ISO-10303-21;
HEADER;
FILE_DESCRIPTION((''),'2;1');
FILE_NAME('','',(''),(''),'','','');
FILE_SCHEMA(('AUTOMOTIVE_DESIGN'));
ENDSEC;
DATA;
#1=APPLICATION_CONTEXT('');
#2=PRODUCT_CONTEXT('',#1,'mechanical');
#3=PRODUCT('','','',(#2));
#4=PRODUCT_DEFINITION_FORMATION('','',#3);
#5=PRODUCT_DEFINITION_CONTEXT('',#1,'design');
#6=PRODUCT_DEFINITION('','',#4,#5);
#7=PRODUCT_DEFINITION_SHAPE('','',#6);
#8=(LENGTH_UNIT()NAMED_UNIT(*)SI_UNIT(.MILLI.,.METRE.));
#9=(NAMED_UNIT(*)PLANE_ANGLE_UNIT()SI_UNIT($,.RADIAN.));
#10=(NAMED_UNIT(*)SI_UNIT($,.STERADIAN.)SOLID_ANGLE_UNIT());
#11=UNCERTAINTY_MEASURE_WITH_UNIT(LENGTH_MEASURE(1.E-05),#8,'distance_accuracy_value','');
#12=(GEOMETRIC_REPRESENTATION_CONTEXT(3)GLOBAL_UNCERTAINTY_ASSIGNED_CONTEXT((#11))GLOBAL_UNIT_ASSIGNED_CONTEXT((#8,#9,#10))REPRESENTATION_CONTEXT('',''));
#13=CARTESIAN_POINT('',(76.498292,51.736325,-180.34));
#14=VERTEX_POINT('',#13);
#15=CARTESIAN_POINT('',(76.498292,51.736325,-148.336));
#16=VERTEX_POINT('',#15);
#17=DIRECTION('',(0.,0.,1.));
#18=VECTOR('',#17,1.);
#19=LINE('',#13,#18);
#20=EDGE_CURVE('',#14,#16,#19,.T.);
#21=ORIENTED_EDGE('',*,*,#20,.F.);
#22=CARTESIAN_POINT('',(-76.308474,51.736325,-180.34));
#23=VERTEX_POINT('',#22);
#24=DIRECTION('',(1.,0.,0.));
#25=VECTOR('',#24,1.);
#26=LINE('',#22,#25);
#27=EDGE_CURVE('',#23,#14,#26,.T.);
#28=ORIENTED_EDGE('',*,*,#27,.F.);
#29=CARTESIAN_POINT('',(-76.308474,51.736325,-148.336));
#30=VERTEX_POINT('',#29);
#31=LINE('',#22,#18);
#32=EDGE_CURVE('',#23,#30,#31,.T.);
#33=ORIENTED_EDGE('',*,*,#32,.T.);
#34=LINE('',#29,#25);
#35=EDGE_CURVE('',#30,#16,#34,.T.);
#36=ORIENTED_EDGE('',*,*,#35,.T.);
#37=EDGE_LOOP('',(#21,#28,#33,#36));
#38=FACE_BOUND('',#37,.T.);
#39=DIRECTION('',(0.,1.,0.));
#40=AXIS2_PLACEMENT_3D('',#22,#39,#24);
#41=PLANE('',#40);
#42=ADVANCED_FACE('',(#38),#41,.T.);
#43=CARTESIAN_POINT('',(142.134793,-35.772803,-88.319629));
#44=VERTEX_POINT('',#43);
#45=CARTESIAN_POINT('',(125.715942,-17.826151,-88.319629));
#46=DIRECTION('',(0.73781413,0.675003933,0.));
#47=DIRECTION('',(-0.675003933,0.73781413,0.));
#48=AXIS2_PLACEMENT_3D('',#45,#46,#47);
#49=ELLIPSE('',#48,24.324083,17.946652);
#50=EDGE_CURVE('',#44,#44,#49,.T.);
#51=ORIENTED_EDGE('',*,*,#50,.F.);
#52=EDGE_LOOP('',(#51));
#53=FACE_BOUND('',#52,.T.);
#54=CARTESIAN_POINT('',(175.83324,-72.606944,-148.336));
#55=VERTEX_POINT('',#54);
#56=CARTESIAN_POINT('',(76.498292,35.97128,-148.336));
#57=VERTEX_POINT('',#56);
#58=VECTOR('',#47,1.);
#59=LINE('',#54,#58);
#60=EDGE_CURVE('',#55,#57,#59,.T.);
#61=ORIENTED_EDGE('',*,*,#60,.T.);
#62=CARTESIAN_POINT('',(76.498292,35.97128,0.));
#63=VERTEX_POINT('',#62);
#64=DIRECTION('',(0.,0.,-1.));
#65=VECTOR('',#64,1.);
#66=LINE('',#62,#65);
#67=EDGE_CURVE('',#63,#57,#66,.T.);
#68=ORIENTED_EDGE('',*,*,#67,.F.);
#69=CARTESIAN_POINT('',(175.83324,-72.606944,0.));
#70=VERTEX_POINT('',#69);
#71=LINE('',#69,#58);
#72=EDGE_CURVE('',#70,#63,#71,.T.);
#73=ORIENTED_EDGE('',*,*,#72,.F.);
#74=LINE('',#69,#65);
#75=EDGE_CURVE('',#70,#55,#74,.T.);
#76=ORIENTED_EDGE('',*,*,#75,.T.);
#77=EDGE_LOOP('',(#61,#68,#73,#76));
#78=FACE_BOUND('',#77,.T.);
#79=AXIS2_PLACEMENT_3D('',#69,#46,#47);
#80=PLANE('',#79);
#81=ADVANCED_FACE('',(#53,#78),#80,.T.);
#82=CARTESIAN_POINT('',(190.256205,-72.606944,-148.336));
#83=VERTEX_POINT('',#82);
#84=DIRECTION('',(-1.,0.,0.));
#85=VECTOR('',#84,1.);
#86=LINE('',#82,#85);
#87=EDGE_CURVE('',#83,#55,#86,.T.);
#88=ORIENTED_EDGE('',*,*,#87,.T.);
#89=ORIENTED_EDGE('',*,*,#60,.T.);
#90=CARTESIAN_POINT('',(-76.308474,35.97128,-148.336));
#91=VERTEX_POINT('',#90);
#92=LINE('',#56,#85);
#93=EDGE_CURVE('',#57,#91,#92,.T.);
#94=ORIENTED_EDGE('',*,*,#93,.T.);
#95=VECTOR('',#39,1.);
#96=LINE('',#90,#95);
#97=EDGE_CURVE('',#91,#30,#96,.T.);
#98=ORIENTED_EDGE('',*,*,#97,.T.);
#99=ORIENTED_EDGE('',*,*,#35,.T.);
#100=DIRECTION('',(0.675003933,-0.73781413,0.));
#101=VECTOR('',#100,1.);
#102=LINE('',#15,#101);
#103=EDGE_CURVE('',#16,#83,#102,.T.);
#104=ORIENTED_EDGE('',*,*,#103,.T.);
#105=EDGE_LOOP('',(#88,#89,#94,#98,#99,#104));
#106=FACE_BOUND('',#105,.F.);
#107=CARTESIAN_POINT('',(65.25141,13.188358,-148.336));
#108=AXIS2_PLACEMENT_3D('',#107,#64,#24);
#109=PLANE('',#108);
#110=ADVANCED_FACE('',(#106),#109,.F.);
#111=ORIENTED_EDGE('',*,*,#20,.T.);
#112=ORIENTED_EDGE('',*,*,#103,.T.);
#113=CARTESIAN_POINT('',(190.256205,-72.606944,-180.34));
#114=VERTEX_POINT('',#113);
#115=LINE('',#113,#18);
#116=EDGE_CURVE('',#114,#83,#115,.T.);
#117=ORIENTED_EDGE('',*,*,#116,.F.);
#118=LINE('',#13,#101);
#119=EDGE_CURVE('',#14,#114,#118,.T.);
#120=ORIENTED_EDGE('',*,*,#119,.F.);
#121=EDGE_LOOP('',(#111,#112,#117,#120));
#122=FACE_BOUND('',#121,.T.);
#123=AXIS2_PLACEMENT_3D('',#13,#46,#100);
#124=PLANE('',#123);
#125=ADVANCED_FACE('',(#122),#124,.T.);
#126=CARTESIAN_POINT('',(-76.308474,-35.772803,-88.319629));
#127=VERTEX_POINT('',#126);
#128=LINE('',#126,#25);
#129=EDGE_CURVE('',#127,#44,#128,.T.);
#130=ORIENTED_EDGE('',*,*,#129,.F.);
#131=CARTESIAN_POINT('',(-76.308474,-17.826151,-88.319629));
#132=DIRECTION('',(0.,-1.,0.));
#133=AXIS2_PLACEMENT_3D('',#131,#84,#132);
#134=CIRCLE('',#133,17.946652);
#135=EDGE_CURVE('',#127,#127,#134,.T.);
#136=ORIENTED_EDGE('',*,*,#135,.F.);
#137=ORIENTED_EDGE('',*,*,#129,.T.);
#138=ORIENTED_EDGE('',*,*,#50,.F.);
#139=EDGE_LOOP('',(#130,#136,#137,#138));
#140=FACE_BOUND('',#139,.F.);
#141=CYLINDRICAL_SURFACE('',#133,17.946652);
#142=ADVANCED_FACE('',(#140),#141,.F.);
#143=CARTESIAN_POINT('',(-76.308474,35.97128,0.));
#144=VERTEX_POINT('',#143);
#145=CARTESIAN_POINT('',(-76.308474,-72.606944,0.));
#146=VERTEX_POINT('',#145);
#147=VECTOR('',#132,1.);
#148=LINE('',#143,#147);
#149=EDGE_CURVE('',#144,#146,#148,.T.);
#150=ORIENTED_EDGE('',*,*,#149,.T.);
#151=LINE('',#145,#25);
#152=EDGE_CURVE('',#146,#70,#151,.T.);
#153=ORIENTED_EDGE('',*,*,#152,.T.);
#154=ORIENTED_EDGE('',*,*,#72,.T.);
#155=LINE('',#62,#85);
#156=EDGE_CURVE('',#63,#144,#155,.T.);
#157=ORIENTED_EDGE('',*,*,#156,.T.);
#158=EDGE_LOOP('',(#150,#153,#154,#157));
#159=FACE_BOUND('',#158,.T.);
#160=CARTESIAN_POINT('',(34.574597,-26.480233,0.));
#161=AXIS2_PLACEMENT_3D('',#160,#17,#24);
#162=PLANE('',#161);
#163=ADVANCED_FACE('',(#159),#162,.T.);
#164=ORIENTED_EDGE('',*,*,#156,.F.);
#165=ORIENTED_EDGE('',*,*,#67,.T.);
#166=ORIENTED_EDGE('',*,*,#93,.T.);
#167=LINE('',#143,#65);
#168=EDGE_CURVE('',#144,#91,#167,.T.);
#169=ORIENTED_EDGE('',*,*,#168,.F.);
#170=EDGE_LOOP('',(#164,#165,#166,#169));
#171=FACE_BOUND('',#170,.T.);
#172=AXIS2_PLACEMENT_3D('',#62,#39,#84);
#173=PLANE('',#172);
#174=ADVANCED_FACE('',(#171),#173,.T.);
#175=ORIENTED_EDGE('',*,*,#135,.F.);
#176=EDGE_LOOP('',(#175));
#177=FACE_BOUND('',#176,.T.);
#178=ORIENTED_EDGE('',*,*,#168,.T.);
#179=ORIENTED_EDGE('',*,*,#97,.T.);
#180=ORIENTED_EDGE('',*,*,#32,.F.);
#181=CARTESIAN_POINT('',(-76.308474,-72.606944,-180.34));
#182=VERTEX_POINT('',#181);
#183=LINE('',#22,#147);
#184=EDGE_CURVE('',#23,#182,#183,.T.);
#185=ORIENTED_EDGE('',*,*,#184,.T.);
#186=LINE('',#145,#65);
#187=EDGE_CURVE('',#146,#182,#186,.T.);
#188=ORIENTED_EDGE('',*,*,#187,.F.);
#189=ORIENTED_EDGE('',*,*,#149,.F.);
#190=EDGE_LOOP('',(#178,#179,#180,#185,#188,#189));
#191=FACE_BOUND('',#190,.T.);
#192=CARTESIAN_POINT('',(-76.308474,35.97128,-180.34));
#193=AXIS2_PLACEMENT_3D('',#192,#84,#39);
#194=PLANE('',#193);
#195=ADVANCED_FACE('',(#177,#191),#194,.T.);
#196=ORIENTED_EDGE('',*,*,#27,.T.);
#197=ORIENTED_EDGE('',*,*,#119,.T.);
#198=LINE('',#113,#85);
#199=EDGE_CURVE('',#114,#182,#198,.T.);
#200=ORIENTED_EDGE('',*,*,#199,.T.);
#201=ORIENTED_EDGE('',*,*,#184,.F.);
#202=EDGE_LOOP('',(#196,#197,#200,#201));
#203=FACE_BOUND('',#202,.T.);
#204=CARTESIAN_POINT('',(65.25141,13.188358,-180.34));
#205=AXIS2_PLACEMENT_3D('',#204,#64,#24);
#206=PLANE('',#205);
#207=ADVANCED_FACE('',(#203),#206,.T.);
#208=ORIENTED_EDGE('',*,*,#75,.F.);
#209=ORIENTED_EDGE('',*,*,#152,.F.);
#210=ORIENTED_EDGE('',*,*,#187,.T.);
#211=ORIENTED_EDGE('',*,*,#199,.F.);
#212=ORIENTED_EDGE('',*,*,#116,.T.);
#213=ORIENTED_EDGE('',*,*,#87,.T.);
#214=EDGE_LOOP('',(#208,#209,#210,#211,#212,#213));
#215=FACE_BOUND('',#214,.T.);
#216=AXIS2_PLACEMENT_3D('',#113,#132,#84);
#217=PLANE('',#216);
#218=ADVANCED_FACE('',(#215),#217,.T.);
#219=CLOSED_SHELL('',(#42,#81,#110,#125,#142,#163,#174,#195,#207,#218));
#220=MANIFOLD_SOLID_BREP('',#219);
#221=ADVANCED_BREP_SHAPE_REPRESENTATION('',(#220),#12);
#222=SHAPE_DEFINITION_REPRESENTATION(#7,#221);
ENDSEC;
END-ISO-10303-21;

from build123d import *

# Parameters (mm, degrees)
F1_DEPTH = 180.34
F3_DEPTH = 32.004
F4_R     = 17.946652
F5_DEPTH = 340.36


with BuildPart() as f1:
    # F0 (on Top) → F1 (new body)
    with BuildSketch(Plane.XY):
        Polygon((76.498292, 35.97128), (-76.308474, 35.97128), (-76.308474, -72.606944), (76.498292, -72.606944), (175.83324, -72.606944), align=None)
    extrude(amount=-F1_DEPTH)

    # F2 (on face) → F3 (join)
    with BuildSketch(Plane(origin=(0, 0, -180.34), x_dir=(1, 0, 0), z_dir=(0, 0, -1))):
        Polygon((-76.308474, -51.736325), (76.498292, -51.736325), (190.256205, 72.606944), (175.83324, 72.606944), (76.498292, -35.97128), (-76.308474, -35.97128), align=None)
    extrude(amount=-F3_DEPTH)

    # F4 (on face) → F5 (cut)
    with BuildSketch(Plane(origin=(-76.308474, 0, 0), x_dir=(0, -1, 0), z_dir=(-1, 0, 0))):
        with Locations((17.826151, -88.319629)):
            Circle(F4_R)
    extrude(amount=-F5_DEPTH, mode=Mode.SUBTRACT)


solid = f1.part
